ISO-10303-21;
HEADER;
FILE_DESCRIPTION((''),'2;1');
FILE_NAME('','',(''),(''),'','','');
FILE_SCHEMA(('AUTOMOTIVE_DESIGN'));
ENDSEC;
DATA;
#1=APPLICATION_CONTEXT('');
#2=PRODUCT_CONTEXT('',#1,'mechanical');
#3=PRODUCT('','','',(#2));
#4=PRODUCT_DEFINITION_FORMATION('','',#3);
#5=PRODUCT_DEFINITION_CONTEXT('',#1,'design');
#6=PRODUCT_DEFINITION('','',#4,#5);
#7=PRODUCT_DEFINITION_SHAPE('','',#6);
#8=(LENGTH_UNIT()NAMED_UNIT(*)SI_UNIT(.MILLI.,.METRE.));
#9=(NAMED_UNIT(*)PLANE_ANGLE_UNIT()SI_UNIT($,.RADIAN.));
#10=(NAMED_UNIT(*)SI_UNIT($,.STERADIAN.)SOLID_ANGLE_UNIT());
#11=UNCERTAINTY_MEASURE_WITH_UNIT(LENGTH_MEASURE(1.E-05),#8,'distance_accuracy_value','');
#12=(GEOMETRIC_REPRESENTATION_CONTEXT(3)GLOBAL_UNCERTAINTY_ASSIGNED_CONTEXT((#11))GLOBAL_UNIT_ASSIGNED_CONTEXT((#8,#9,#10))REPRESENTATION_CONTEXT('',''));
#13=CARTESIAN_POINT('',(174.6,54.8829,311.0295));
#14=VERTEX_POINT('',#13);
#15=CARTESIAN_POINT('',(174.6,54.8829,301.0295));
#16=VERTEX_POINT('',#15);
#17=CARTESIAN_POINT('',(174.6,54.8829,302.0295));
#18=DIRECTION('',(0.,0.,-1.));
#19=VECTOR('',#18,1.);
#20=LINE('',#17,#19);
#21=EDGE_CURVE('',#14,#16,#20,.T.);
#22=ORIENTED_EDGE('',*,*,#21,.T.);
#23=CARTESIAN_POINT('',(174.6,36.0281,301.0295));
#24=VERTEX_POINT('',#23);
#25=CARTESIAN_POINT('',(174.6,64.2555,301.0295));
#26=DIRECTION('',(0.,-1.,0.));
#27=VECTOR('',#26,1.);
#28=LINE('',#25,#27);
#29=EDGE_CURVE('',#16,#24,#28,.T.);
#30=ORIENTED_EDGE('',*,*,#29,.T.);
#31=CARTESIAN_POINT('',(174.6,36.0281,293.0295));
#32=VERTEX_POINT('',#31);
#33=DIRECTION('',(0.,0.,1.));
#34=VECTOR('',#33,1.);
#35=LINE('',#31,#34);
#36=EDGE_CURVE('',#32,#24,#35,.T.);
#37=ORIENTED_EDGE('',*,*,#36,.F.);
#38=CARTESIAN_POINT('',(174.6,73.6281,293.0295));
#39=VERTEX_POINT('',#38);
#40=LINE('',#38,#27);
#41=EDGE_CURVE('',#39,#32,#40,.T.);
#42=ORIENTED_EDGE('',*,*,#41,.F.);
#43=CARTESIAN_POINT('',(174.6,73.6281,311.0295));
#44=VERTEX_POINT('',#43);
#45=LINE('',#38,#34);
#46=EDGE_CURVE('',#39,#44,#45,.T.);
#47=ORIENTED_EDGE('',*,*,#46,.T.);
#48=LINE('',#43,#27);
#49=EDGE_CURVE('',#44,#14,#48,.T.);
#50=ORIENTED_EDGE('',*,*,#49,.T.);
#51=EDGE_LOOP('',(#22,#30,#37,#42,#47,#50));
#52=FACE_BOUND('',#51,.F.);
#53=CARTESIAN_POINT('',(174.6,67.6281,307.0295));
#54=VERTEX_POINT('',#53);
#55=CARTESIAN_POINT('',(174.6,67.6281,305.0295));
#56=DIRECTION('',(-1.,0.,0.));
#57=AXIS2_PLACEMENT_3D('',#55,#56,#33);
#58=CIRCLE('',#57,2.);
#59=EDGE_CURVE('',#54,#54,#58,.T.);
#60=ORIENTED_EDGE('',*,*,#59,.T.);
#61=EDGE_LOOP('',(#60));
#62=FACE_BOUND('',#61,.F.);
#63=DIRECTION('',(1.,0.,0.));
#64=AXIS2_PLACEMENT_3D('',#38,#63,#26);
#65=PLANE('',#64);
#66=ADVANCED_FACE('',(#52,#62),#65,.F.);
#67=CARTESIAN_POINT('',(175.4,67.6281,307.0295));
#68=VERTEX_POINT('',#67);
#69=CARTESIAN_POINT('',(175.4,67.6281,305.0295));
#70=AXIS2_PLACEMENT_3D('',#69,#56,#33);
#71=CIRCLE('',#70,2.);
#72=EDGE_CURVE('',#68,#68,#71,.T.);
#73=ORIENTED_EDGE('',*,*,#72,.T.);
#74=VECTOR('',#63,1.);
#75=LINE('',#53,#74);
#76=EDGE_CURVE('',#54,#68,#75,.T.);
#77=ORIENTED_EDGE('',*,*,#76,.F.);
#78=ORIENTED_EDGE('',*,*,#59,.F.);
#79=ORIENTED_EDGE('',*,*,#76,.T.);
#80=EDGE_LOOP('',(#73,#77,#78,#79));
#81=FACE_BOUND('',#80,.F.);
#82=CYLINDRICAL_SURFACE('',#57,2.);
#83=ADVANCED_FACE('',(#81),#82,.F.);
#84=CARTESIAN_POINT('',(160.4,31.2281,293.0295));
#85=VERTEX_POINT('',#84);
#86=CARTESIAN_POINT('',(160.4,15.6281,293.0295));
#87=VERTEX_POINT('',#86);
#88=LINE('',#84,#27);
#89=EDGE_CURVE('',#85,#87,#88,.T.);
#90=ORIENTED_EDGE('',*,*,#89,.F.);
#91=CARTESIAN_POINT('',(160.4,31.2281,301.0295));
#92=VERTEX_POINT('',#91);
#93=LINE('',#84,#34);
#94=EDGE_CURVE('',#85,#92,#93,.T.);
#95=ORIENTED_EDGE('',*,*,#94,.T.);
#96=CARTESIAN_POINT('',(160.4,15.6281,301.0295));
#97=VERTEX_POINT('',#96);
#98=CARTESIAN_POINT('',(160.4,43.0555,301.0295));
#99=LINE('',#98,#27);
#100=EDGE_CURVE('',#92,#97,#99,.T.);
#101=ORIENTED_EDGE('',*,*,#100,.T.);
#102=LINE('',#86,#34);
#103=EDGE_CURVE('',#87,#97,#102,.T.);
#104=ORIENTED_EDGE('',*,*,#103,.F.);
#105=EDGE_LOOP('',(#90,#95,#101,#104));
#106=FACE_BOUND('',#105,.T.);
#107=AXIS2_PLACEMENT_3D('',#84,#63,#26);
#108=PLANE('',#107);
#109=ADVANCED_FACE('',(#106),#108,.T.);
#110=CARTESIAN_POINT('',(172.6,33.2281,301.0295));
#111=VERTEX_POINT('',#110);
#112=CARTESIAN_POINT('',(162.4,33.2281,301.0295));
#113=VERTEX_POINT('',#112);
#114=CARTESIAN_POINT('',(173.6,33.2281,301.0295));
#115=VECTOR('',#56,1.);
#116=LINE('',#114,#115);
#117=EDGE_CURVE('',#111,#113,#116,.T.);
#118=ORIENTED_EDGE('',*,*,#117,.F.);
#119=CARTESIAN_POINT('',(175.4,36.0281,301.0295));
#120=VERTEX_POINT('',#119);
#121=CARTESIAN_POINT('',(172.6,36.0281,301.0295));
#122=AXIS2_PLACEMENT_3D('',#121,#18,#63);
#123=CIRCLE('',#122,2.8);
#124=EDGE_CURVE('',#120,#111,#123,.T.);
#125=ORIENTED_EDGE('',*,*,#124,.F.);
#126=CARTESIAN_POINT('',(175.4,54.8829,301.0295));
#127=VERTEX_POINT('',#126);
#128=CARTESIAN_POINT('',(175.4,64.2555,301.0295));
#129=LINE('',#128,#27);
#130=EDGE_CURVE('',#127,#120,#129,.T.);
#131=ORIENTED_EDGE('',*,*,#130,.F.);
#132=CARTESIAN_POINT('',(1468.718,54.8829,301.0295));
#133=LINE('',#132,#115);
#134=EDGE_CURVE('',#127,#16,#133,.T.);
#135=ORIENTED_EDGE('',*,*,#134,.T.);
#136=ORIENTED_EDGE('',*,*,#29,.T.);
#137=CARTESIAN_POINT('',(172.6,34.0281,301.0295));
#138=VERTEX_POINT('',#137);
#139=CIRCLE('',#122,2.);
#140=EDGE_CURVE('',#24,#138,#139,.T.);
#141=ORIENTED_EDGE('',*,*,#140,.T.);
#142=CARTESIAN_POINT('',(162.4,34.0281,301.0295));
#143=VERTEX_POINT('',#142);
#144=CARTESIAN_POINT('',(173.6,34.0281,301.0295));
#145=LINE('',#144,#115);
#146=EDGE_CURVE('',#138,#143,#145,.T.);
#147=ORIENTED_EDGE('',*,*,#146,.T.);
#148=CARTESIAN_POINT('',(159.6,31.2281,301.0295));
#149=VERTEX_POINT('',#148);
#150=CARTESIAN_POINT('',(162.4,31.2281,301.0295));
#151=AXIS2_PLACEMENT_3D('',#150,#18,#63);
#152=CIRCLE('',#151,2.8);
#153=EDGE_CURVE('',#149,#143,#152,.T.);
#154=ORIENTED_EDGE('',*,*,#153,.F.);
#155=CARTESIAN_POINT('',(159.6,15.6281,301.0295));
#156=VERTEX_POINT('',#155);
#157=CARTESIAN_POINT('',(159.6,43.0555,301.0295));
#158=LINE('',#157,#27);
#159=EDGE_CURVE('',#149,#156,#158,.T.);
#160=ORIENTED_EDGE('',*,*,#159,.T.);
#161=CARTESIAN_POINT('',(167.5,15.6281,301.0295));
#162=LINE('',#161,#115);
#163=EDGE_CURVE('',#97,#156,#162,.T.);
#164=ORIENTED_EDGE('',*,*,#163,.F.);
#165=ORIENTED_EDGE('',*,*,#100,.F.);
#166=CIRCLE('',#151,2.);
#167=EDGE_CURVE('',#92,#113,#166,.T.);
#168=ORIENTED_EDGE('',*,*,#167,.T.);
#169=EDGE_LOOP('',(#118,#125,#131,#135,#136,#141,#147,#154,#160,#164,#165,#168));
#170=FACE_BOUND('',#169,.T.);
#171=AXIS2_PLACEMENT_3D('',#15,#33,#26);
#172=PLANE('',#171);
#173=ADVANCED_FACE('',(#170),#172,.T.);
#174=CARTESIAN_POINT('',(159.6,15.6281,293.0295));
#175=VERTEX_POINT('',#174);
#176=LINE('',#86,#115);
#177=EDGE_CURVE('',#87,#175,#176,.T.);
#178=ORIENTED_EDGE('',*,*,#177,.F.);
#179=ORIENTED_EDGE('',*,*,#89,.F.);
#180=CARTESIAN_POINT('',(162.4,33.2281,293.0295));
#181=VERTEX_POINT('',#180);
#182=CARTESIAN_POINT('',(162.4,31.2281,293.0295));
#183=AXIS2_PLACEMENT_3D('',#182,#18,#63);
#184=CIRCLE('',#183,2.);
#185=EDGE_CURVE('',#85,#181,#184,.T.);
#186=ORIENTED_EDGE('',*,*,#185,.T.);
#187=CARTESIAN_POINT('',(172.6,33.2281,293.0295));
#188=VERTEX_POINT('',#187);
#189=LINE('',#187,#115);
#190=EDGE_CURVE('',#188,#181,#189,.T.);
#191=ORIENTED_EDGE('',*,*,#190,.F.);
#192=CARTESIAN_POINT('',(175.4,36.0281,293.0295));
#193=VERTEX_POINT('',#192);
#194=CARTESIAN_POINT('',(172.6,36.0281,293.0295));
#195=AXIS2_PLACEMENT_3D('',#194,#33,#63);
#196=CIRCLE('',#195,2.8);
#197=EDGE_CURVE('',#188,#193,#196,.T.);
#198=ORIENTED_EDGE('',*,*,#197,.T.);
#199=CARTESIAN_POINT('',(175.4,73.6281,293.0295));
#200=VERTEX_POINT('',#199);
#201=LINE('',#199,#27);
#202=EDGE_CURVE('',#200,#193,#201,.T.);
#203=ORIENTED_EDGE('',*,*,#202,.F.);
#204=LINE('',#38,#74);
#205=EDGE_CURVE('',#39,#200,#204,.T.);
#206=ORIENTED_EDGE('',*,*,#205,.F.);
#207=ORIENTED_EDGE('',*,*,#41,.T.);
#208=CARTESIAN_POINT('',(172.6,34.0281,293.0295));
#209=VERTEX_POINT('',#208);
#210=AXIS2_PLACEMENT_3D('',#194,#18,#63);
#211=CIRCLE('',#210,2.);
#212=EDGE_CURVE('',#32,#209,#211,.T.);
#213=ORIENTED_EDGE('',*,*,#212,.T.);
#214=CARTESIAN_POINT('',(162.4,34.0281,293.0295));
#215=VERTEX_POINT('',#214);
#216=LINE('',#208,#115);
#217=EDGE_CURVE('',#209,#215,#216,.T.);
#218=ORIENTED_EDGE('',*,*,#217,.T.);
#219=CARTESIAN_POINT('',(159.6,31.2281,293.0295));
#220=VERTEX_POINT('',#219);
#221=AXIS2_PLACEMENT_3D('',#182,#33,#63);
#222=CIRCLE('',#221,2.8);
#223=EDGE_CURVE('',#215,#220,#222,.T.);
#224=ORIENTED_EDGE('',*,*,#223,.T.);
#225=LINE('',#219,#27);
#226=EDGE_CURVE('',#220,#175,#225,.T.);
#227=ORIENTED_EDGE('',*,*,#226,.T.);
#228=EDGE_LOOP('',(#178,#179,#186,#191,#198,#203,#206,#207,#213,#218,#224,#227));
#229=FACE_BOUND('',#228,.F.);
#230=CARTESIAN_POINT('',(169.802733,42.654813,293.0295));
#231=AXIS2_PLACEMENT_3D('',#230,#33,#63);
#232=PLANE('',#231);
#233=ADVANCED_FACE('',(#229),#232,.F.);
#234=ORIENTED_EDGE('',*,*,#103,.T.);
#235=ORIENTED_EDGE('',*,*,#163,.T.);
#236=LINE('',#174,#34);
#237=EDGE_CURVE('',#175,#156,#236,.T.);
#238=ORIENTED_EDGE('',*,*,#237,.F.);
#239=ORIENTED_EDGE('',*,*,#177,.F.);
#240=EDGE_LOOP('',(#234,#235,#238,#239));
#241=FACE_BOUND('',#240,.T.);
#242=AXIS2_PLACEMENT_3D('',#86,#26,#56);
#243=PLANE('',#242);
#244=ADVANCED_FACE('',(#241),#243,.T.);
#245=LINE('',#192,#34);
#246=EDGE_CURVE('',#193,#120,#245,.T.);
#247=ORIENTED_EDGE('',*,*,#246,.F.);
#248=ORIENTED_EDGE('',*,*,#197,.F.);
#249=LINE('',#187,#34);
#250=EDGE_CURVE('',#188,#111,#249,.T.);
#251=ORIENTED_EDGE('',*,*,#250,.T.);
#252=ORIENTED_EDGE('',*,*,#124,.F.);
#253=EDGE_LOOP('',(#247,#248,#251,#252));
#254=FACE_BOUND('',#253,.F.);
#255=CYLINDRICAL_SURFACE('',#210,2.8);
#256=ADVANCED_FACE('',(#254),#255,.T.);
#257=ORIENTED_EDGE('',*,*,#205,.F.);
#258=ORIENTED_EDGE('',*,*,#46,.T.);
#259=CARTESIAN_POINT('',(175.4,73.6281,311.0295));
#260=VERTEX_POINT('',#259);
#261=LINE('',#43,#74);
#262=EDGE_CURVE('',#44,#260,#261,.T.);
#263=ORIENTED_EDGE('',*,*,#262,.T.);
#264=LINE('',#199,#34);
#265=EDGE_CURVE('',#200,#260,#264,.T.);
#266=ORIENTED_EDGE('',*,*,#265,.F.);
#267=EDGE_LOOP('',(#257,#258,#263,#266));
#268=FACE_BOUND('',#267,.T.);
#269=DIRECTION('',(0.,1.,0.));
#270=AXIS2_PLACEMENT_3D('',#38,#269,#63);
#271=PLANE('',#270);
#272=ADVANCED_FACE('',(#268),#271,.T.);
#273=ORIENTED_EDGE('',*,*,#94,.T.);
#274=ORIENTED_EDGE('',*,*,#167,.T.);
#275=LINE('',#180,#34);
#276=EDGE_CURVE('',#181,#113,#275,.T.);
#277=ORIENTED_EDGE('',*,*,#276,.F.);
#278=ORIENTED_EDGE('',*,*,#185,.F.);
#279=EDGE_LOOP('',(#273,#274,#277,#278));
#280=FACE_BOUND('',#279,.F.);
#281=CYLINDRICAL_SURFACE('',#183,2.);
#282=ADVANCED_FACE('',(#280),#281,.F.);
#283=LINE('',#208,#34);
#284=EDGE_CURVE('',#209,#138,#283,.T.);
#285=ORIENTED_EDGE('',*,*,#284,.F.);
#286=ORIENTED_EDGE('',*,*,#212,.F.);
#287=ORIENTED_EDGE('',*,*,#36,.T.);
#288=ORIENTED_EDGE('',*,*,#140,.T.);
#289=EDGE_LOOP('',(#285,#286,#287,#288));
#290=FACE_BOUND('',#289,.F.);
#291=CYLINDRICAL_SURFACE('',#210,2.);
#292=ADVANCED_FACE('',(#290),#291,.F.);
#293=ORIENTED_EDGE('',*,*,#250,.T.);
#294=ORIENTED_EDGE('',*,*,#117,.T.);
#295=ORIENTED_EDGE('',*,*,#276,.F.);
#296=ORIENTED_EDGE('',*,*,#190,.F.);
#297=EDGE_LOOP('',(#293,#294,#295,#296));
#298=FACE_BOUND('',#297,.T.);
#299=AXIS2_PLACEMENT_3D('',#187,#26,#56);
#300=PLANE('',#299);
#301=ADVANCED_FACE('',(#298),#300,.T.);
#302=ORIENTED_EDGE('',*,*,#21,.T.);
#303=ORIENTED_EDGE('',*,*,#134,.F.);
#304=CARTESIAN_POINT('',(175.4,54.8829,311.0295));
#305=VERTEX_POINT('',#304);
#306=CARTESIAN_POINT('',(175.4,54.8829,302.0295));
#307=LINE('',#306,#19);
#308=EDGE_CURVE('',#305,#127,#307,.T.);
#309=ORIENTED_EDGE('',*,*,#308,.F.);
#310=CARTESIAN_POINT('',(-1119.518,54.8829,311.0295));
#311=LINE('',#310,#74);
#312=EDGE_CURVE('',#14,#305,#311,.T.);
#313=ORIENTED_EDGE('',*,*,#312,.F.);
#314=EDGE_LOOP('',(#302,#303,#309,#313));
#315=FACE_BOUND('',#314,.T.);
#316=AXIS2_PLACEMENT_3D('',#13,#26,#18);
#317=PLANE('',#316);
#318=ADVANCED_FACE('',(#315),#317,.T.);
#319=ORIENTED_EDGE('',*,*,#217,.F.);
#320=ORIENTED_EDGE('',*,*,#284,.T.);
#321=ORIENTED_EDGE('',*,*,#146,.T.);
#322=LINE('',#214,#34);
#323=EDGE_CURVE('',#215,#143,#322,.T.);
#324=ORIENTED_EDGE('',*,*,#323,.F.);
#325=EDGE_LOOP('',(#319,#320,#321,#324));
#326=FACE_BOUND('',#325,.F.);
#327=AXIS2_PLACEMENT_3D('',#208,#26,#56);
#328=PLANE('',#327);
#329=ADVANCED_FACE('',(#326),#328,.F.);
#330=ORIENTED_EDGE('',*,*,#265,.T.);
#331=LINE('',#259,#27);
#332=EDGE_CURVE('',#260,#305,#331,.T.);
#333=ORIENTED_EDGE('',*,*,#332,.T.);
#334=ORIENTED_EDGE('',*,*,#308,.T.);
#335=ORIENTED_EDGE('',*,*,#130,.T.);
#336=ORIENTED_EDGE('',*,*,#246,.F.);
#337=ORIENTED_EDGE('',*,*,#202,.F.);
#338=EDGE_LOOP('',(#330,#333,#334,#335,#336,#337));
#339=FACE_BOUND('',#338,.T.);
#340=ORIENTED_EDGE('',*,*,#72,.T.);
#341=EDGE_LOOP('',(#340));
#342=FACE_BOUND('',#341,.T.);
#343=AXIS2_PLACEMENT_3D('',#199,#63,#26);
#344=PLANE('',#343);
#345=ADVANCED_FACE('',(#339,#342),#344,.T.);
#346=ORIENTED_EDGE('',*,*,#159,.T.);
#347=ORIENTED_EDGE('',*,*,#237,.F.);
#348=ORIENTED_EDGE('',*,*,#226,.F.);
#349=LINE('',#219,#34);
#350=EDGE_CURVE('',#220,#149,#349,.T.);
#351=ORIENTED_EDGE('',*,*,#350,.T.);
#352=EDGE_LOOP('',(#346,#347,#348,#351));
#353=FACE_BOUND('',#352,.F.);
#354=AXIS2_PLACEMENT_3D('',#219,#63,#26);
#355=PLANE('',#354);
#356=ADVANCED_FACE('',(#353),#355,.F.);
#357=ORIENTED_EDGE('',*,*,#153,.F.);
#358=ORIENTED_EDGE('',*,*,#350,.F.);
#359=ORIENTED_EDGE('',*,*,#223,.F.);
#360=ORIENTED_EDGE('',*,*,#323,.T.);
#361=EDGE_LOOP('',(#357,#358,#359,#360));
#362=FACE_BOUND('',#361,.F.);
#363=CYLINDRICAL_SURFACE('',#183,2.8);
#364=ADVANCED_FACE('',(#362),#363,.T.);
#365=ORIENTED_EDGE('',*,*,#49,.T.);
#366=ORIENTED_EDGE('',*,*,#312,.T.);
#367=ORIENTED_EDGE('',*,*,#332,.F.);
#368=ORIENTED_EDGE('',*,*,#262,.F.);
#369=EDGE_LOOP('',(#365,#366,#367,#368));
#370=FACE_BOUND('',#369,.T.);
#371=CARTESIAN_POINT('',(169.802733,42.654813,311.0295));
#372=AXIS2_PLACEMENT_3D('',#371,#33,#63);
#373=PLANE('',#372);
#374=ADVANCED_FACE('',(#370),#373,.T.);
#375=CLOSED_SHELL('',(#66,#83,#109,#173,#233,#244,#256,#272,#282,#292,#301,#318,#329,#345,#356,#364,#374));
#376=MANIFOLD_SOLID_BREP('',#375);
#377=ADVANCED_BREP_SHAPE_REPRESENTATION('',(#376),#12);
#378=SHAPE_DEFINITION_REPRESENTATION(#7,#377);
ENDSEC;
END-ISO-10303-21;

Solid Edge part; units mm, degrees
sketch "Sketch1" plane through (0, 0, 293.0295) normal (0, 0, 1) x (1, 0, 0)
  line L0 (172.6, 34.0281) -> (162.4, 34.0281)
  arc A0 (162.4, 34.0281) -> (159.6, 31.2281) centre (162.4, 31.2281) ccw
  line L1 (159.6, 31.2281) -> (159.6, 15.6281)
  line L2 (160.4, 15.6281) -> (159.6, 15.6281)
  line L3 (160.4, 31.2281) -> (160.4, 15.6281)
  arc A1 (160.4, 31.2281) -> (162.4, 33.2281) centre (162.4, 31.2281) cw
  line L4 (172.6, 33.2281) -> (162.4, 33.2281)
  arc A2 (172.6, 33.2281) -> (175.4, 36.0281) centre (172.6, 36.0281) ccw
  line L5 (175.4, 73.6281) -> (175.4, 36.0281)
  line L6 (174.6, 73.6281) -> (175.4, 73.6281)
  line L7 (174.6, 73.6281) -> (174.6, 36.0281)
  arc A3 (174.6, 36.0281) -> (172.6, 34.0281) centre (172.6, 36.0281) cw
extrude "Protrusion1" add sketch "Sketch1" along normal blind 18
sketch "Sketch2" plane through (174.6, 56.2359, 300.5295) normal (-1, 0, 0) x (0, 0, 1)
  circle A0 centre (4.5, 11.3922) radius 2
  line L0 (10.5, -1.353) -> (0.5, -1.353)
  line L1 (0.5, -1.353) -> (0.5, -51.353)
  line L2 (0.5, -51.353) -> (10.5, -51.353)
  line L3 (10.5, -51.353) -> (10.5, -1.353)
  dimension "D1" = 10
  dimension "D2" = 50
  dimension "D3" = 6
  dimension "D4" = 6
extrude "Cutout1" cut sketch "Sketch2" along normal through all and the other way through all
